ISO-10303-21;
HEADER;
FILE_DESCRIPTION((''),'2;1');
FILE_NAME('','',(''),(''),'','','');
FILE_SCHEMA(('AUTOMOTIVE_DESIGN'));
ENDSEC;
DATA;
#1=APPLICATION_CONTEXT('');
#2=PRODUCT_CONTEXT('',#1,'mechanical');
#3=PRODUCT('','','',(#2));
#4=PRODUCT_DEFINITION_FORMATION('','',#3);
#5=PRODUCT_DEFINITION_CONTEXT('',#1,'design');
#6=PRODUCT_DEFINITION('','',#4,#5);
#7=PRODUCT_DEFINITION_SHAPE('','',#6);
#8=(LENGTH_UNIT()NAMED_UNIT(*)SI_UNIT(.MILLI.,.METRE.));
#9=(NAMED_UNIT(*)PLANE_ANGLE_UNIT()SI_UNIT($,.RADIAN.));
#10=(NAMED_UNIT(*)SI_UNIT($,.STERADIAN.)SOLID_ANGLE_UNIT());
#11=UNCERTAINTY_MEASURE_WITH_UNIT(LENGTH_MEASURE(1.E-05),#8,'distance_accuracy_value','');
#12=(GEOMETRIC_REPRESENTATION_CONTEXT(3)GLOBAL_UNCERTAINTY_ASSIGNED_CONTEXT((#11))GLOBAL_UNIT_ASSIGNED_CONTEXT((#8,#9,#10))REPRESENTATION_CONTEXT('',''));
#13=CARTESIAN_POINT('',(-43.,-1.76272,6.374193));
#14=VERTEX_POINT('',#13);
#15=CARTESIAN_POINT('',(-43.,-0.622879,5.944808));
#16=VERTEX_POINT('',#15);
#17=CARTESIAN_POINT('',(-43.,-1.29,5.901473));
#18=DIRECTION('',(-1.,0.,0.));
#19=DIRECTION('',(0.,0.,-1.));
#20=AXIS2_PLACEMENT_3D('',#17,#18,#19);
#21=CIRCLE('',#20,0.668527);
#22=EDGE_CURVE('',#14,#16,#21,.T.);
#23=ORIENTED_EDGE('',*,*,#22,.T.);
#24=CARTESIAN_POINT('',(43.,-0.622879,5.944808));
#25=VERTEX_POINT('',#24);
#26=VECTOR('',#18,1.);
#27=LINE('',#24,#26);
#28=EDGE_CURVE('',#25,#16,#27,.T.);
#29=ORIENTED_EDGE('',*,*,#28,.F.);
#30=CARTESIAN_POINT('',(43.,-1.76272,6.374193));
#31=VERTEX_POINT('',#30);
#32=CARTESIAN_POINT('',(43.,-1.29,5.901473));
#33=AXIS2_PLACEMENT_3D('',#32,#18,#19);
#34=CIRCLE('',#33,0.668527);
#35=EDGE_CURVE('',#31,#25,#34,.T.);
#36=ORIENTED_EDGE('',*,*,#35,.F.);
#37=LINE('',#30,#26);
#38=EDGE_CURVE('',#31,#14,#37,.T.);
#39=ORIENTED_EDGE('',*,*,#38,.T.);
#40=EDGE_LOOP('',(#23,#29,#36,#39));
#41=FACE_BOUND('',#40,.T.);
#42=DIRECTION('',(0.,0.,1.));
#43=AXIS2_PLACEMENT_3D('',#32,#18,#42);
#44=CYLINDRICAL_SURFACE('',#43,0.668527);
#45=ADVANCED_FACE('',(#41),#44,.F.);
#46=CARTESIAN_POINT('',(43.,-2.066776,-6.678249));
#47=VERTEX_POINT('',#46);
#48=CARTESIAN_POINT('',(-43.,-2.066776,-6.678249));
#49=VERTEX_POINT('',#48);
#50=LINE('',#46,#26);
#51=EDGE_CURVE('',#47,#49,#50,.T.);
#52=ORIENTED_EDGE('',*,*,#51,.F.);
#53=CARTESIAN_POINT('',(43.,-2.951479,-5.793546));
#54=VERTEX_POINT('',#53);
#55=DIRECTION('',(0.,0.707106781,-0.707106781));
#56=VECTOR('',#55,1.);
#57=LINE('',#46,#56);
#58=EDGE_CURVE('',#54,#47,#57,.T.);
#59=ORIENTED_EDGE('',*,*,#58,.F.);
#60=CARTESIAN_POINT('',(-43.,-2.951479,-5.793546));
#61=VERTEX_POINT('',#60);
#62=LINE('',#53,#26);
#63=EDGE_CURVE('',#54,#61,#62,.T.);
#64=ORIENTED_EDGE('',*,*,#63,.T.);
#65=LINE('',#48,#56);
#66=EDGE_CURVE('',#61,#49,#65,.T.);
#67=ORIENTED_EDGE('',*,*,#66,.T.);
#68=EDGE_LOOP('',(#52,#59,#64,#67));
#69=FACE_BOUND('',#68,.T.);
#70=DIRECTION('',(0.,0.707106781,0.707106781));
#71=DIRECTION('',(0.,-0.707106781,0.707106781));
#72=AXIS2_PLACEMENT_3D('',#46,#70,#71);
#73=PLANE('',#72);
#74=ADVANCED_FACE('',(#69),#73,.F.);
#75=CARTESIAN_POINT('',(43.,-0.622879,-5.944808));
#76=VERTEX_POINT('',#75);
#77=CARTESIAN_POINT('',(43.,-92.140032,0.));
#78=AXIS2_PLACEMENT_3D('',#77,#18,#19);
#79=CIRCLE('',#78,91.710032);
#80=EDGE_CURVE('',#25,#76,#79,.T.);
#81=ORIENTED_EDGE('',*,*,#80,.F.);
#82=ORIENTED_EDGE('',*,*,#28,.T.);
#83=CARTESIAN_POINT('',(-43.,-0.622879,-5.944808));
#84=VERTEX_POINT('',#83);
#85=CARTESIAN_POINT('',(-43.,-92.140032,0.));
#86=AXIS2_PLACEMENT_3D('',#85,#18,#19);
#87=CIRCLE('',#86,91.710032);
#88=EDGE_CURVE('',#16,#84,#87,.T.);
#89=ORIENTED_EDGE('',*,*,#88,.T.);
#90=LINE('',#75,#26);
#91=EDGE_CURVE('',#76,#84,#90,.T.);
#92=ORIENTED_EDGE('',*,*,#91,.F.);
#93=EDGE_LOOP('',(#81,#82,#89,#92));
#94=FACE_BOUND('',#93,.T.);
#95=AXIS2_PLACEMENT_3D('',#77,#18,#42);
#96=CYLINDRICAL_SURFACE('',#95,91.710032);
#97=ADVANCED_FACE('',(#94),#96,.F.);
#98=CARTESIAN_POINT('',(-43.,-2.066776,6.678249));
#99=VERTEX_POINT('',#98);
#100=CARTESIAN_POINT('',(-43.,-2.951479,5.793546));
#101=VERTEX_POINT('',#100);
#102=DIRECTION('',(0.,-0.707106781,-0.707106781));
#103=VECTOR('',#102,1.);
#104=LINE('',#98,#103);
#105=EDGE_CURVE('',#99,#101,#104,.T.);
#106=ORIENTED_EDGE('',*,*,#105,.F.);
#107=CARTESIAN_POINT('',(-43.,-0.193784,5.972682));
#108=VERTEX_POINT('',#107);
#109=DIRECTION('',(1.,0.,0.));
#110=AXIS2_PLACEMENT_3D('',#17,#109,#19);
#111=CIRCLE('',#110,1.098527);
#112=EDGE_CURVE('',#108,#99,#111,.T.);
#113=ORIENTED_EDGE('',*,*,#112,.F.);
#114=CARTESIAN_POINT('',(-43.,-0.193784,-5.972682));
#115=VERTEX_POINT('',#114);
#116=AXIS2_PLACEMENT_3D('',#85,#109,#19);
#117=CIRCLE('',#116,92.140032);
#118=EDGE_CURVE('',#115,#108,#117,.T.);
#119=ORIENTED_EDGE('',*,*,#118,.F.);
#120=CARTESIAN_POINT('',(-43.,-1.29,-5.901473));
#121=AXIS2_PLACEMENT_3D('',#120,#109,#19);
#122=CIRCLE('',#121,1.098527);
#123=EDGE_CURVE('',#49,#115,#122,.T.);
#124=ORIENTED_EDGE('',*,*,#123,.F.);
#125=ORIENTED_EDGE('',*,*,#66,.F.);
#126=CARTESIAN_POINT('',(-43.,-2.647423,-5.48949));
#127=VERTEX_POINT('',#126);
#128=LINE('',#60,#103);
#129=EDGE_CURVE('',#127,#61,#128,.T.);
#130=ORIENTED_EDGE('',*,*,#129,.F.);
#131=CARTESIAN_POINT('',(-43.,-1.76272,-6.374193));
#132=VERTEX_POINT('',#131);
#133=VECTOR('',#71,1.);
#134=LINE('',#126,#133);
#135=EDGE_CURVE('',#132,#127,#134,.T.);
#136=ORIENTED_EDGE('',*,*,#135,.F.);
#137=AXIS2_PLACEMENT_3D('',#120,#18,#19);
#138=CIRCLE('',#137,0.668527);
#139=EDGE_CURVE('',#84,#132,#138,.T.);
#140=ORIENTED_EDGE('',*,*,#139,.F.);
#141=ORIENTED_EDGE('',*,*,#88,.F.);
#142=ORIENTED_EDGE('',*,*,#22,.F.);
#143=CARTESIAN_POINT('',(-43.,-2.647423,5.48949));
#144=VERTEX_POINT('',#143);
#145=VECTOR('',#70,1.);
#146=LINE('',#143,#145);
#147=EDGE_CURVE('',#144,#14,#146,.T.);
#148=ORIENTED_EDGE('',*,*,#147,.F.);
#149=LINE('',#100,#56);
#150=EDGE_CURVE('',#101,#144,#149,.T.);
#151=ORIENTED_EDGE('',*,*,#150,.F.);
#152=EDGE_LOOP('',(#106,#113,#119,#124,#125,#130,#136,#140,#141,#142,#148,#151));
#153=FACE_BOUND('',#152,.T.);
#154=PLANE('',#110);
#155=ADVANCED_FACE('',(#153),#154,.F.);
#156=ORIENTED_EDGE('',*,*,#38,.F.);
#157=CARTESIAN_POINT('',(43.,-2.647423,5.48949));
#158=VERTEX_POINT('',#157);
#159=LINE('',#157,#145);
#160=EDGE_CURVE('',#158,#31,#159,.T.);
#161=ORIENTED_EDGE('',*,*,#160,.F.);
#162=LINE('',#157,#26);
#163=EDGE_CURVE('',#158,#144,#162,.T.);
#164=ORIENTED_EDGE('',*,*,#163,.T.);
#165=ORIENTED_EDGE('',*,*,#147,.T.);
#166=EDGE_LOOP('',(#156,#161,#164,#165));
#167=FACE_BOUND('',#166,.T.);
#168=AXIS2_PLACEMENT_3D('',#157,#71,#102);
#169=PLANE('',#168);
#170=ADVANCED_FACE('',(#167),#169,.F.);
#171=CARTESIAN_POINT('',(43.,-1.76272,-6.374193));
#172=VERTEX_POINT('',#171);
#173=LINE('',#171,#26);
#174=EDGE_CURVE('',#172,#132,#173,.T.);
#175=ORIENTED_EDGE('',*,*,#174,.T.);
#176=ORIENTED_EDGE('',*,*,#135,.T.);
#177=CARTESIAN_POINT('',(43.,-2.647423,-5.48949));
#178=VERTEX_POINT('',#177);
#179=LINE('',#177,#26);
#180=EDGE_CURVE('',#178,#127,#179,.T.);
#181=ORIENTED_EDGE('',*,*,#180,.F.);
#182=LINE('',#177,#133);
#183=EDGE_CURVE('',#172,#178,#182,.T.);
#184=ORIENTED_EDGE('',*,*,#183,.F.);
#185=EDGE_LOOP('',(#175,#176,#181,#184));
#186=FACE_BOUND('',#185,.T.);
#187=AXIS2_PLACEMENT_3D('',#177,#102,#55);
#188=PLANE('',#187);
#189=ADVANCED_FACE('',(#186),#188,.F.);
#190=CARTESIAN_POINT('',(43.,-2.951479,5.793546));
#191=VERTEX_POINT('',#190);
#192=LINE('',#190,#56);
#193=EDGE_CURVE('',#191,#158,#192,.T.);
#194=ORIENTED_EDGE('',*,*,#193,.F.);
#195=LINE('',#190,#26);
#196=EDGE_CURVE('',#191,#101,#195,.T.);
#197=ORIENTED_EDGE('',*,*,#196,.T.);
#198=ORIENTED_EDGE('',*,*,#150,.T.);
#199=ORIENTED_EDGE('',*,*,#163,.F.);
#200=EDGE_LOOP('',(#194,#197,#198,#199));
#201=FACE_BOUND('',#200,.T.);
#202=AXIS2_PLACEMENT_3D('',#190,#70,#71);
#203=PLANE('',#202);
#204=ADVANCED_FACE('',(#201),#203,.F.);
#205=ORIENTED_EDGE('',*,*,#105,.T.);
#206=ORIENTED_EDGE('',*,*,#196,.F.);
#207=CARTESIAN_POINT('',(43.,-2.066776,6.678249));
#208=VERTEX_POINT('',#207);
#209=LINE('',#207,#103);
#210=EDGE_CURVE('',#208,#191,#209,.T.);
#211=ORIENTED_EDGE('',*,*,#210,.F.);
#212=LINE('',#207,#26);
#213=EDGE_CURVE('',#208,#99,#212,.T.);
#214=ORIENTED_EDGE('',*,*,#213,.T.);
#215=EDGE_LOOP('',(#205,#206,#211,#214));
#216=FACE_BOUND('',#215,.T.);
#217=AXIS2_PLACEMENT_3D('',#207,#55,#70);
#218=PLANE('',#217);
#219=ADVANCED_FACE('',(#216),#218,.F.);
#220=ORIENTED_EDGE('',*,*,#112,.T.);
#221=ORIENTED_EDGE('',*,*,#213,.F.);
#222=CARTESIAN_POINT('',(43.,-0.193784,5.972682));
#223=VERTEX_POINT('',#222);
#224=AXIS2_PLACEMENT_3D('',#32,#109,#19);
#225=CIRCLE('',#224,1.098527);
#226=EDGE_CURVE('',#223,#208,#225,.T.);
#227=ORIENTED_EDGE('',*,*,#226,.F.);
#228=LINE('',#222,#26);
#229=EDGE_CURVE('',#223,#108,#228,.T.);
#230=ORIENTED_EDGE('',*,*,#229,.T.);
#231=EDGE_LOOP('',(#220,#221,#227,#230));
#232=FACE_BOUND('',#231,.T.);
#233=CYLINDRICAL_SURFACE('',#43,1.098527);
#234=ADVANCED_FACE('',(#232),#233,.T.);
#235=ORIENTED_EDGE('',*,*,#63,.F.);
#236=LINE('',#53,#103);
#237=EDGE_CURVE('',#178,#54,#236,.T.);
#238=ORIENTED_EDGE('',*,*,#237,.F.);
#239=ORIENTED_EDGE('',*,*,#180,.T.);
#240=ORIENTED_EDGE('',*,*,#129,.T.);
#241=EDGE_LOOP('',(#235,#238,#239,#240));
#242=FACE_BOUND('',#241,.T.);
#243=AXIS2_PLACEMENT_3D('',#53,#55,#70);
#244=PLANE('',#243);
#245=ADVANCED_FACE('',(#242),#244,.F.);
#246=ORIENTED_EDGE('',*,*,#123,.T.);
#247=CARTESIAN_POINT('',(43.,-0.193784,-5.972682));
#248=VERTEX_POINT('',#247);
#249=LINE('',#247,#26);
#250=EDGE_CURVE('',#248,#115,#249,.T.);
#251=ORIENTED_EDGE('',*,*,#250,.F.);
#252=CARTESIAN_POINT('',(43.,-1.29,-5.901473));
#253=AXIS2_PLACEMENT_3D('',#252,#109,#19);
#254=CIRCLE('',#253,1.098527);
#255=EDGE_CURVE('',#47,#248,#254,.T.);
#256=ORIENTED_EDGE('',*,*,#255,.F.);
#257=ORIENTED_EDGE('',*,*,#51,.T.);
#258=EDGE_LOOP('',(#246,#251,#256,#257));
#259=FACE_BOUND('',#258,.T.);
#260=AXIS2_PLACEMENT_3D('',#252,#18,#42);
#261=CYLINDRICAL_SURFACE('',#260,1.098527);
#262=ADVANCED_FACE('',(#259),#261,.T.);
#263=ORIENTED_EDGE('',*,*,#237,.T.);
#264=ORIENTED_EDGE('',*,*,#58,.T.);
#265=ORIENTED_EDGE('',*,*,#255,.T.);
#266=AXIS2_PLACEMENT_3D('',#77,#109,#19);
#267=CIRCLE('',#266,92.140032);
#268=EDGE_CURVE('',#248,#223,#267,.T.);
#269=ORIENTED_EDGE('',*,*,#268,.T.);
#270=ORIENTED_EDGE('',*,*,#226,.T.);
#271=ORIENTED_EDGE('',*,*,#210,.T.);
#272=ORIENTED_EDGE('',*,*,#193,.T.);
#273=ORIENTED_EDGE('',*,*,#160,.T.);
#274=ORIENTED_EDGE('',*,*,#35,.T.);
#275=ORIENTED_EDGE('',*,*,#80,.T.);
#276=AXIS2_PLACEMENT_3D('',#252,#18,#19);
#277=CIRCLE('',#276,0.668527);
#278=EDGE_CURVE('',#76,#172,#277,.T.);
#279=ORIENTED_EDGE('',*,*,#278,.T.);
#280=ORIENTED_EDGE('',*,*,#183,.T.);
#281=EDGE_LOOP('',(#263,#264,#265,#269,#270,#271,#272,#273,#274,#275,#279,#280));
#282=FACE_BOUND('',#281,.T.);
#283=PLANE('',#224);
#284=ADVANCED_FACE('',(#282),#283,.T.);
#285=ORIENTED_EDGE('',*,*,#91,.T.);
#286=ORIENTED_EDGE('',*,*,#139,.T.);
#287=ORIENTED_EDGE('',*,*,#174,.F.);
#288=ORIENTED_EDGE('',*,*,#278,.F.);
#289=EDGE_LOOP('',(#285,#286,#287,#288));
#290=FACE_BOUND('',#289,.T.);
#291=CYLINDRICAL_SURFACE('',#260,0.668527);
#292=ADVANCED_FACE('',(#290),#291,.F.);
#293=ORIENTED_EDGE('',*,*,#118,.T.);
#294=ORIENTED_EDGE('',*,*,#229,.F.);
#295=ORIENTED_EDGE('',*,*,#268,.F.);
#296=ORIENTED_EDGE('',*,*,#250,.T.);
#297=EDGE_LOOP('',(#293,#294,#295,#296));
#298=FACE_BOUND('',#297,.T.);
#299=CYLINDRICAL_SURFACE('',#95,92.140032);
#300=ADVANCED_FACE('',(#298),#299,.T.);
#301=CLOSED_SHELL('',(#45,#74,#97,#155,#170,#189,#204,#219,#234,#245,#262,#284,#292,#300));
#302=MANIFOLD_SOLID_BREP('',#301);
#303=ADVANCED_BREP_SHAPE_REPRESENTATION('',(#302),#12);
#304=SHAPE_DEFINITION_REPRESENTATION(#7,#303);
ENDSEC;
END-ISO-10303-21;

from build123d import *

# Parameters (mm, degrees)
BOSS_EXTRUDE1_DEPTH = 43


with BuildPart() as part:
    # Sketch1 → Boss-Extrude1 (new body, symmetric)
    with BuildSketch(Plane(origin=(0, 0, 0), x_dir=(0, 0, -1), z_dir=(1, 0, 0))):
        with BuildLine():
            Line((6.678248915, -2.066776115), (5.793546079, -2.951478951))
            Line((5.793546079, -2.951478951), (5.489490163, -2.647423035))
            Line((5.489490163, -2.647423035), (6.374192999, -1.762720199))
            ThreePointArc((6.374192999, -1.762720199), (6.527082765, -1.0543294), (5.944808192, -0.622879372))
            ThreePointArc((5.944808192, -0.622879372), (0, -0.43), (-5.944808192, -0.622879372))
            ThreePointArc((-5.944808192, -0.622879372), (-6.527082765, -1.0543294), (-6.374192999, -1.762720199))
            Line((-6.374192999, -1.762720199), (-5.489490163, -2.647423035))
            Line((-5.489490163, -2.647423035), (-5.793546079, -2.951478951))
            Line((-5.793546079, -2.951478951), (-6.678248915, -2.066776115))
            ThreePointArc((-6.678248915, -2.066776115), (-6.929478176, -0.902744659), (-5.97268156, -0.193783724))
            ThreePointArc((-5.97268156, -0.193783724), (0, 0), (5.97268156, -0.193783724))
            ThreePointArc((5.97268156, -0.193783724), (6.929478176, -0.902744659), (6.678248915, -2.066776115))
        make_face()
    extrude(amount=BOSS_EXTRUDE1_DEPTH, both=True)


solid = part.part
